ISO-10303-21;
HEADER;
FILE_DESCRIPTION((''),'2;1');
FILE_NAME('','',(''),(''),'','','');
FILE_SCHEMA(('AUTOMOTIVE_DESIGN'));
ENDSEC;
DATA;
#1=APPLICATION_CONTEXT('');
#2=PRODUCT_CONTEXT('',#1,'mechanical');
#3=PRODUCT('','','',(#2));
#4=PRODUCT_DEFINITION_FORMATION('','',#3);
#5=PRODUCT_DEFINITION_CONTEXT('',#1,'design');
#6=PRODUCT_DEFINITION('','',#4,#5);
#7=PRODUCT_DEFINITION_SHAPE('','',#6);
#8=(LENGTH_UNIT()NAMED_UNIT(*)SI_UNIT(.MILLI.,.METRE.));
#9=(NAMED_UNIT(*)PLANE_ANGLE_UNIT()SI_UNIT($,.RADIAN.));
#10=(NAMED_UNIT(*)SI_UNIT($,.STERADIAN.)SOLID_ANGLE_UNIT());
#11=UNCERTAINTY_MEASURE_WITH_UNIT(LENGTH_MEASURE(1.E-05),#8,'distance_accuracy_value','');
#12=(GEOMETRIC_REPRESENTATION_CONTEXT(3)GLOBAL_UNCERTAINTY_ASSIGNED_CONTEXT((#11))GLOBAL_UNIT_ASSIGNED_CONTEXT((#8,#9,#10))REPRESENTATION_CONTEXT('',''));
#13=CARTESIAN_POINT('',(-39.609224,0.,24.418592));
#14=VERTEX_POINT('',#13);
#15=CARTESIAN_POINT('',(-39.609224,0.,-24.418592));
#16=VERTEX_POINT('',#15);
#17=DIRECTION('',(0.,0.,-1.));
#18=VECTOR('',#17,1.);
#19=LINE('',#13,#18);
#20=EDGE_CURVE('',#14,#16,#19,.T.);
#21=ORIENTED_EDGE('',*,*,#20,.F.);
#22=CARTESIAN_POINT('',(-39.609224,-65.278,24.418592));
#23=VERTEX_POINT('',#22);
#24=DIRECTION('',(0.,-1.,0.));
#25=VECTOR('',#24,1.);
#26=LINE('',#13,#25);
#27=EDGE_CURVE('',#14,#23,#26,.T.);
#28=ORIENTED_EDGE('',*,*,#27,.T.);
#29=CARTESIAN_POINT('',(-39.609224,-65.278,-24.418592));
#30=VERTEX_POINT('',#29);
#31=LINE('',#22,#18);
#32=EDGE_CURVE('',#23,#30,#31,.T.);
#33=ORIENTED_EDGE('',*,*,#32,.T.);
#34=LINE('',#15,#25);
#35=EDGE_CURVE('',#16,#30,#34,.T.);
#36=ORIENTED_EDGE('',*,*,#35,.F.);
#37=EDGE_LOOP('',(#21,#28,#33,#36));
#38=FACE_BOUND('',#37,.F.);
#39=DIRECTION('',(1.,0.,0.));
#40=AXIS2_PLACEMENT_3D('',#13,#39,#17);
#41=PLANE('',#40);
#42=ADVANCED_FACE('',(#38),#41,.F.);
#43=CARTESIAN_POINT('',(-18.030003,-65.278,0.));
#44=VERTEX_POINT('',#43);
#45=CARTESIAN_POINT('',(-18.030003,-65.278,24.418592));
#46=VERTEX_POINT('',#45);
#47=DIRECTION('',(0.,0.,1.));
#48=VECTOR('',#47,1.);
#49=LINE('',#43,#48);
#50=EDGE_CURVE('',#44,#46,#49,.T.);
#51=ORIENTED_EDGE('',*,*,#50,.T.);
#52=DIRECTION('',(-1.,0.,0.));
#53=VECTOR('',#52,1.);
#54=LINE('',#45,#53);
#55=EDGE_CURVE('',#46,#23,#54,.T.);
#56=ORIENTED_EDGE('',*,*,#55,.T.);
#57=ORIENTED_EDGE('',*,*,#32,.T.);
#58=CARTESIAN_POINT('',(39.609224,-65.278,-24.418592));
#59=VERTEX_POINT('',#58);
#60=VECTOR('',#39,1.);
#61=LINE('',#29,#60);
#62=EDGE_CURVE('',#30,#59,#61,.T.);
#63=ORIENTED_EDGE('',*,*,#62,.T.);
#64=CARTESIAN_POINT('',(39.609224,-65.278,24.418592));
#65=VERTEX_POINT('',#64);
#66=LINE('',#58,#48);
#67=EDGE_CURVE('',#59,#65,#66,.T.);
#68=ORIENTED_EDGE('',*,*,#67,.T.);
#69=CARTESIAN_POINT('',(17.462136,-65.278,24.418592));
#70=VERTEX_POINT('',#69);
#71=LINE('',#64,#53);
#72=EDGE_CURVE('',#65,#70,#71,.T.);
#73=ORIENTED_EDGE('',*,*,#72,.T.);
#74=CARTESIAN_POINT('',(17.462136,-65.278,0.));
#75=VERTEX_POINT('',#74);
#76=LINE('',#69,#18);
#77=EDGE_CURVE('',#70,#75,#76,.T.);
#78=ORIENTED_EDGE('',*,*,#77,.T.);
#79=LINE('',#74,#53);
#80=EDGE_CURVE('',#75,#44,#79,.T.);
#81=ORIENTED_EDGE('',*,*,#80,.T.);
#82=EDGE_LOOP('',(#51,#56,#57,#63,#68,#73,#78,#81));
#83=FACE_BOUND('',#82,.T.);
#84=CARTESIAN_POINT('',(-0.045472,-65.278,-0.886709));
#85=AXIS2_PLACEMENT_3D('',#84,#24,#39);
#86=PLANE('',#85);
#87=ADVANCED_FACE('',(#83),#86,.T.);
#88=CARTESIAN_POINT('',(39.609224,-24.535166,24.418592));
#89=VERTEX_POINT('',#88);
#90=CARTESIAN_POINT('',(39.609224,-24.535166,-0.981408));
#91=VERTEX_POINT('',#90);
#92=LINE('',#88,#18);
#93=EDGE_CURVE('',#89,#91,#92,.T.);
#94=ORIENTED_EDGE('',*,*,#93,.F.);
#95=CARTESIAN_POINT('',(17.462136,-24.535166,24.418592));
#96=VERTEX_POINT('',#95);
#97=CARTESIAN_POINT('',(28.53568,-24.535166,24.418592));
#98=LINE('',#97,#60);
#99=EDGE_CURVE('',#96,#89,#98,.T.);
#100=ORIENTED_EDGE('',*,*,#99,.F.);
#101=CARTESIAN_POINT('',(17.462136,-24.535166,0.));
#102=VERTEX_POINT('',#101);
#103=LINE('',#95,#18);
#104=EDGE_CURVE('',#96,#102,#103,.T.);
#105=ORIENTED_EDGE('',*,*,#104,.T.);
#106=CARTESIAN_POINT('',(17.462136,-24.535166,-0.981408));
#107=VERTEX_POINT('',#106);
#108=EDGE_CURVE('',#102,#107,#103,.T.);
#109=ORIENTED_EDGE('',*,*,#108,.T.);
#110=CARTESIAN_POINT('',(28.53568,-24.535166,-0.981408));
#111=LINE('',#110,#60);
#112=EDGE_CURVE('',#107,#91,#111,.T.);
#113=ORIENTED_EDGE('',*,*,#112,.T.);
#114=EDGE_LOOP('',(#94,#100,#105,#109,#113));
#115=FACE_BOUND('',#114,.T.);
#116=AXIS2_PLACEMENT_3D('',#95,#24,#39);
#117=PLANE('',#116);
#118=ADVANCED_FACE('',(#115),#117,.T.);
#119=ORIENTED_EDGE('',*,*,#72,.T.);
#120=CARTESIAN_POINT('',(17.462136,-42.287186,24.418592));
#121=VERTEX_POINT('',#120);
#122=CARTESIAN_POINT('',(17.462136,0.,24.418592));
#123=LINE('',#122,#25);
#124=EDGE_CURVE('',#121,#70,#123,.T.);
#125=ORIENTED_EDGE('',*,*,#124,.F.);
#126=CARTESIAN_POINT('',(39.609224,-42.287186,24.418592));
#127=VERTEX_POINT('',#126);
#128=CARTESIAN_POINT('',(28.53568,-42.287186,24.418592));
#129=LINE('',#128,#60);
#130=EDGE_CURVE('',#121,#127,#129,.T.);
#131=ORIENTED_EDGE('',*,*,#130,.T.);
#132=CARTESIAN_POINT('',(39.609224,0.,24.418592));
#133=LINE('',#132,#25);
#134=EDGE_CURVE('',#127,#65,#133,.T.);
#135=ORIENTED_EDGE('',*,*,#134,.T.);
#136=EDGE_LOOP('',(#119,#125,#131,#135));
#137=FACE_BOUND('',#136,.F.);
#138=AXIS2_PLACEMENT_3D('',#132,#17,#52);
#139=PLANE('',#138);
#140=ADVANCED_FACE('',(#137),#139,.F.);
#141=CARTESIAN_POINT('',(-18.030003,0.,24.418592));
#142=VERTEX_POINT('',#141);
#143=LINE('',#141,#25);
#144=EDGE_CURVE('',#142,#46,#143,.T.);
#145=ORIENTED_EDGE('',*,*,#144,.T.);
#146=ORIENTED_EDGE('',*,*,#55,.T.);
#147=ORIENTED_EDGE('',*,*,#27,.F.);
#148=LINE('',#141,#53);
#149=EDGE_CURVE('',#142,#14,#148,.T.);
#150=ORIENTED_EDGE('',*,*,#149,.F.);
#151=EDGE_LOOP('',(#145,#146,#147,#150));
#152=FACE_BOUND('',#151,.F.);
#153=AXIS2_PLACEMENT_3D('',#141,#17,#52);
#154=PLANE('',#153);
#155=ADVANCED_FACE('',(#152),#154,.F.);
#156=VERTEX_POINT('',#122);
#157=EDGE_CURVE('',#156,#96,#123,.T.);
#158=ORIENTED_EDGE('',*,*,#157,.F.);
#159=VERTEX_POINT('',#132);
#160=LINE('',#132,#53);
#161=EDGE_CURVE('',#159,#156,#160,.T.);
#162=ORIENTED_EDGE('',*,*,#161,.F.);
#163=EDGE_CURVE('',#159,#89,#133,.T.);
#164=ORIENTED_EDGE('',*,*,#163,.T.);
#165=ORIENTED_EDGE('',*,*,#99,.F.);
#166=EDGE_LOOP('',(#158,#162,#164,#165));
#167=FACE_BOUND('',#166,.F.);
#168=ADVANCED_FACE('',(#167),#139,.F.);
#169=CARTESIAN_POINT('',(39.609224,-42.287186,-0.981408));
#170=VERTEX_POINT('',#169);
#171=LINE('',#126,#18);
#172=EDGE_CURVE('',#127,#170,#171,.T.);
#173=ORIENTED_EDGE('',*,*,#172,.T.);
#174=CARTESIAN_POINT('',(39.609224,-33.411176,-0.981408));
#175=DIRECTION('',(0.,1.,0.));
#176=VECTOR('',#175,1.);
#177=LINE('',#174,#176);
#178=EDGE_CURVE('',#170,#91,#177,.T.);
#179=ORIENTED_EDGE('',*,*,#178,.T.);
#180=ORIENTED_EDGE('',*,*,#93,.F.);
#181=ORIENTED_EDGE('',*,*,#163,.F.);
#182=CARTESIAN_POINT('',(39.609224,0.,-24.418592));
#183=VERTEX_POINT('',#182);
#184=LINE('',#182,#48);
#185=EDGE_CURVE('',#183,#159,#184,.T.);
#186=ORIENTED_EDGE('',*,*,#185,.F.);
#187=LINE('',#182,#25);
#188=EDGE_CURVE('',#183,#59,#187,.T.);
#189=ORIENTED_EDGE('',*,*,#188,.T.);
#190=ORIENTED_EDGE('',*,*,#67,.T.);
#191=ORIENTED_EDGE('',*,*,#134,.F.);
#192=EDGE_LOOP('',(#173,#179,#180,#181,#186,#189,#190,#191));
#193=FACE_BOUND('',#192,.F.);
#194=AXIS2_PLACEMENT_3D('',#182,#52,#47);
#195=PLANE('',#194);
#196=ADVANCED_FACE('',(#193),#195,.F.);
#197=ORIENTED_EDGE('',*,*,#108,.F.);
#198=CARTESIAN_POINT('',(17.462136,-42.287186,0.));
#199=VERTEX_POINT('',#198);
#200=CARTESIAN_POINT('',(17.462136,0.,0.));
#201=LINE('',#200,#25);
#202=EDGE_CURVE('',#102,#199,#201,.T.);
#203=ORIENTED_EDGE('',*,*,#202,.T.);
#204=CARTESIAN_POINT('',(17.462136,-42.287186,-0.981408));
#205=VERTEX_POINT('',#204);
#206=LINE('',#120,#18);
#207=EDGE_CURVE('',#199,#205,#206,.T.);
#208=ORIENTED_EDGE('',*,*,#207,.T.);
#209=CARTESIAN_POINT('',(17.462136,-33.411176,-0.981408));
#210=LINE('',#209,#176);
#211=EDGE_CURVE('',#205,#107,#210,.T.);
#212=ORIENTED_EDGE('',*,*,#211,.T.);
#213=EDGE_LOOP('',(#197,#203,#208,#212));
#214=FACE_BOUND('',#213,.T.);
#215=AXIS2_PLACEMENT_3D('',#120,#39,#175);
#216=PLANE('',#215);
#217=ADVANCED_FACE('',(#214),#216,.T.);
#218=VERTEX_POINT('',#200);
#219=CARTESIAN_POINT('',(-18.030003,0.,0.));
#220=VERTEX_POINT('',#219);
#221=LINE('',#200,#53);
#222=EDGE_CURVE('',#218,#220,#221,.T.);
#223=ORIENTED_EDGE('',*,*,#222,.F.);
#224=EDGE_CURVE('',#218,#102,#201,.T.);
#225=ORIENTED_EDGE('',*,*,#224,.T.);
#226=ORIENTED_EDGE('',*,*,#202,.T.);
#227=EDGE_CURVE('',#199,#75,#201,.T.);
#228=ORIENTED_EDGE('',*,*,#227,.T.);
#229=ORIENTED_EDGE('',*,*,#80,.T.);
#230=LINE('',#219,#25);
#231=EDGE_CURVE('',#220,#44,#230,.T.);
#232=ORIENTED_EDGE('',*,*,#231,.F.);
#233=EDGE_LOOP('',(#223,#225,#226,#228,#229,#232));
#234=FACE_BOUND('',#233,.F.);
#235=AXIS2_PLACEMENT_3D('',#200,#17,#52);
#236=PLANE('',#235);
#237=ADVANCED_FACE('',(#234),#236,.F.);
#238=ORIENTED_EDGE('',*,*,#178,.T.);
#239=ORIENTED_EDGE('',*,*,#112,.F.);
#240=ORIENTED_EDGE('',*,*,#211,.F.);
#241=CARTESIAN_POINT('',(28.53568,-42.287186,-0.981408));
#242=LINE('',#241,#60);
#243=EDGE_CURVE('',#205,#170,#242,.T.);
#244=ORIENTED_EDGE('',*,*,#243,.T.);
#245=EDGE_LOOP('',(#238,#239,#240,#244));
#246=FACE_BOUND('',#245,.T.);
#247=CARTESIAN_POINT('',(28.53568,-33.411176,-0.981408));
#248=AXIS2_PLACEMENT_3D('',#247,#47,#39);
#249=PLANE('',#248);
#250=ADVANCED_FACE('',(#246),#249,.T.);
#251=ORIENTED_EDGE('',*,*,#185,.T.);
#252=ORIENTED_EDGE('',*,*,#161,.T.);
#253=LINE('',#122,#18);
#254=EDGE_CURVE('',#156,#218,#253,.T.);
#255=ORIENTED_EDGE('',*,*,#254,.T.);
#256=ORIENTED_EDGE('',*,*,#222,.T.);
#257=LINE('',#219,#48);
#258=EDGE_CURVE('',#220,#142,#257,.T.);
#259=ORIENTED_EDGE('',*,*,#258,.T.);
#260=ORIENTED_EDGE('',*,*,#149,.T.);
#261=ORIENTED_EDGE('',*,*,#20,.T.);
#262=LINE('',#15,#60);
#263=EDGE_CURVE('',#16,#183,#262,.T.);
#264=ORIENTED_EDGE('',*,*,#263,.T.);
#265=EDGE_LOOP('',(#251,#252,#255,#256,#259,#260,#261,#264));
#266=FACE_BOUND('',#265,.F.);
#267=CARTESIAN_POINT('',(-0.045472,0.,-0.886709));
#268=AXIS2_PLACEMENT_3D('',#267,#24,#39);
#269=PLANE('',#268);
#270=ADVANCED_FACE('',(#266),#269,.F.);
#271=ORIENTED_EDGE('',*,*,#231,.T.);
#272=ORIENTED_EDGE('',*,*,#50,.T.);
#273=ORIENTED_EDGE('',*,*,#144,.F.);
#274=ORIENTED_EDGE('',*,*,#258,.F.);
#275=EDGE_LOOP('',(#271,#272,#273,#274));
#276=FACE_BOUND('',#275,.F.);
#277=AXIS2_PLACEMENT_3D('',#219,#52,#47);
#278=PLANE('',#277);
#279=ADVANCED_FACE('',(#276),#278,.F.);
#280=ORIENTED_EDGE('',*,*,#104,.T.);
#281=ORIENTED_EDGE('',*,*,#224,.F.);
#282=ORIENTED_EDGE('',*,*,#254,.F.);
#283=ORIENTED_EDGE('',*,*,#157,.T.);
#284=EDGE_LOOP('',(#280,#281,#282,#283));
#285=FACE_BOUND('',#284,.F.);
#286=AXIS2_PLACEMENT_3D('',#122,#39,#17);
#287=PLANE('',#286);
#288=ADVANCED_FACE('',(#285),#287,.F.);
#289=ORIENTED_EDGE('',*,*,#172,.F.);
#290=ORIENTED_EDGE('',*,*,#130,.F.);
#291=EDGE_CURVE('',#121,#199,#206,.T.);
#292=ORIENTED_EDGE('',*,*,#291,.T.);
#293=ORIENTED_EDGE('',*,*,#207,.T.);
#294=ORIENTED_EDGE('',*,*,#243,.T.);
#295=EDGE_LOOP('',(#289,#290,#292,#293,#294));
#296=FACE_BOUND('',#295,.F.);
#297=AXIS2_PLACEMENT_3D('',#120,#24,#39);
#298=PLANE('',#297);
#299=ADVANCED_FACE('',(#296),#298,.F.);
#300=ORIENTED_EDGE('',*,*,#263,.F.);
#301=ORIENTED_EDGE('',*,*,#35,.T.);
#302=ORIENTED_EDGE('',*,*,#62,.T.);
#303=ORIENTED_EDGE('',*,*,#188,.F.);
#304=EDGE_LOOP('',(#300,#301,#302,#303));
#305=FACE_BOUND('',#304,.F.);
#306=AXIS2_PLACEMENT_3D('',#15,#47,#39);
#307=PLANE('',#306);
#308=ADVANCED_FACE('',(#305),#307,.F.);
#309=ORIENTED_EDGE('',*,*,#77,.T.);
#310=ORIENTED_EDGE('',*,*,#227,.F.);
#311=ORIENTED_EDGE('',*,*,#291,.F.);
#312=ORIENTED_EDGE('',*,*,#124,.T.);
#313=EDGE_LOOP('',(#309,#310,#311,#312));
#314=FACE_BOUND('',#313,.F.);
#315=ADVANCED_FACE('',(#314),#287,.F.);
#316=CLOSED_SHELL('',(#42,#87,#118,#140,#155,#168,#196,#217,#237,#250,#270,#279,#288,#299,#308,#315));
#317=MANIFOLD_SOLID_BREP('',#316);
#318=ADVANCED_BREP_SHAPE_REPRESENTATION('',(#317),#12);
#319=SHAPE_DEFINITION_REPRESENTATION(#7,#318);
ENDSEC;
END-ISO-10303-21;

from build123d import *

# Parameters (mm, degrees)
F1_DEPTH = 65.278
F2_W     = 22.147088
F2_H     = 17.75202
F3_DEPTH = 25.4


with BuildPart() as f1:
    # F0 (on Front) → F1 (new body)
    with BuildSketch(Plane.XZ):
        Polygon((-18.030003, 24.418592), (-39.609224, 24.418592), (-39.609224, -24.418592), (39.609224, -24.418592), (39.609224, 24.418592), (17.462136, 24.418592), (17.462136, 0), (-11.215512, 0), (-18.030003, 0), align=None)
    extrude(amount=F1_DEPTH)

    # F2 (on face) → F3 (cut)
    with BuildSketch(Plane.XY.offset(24.418592)):
        with Locations((28.53568, -33.411176)):
            Rectangle(F2_W, F2_H)
    extrude(amount=-F3_DEPTH, mode=Mode.SUBTRACT)


solid = f1.part
